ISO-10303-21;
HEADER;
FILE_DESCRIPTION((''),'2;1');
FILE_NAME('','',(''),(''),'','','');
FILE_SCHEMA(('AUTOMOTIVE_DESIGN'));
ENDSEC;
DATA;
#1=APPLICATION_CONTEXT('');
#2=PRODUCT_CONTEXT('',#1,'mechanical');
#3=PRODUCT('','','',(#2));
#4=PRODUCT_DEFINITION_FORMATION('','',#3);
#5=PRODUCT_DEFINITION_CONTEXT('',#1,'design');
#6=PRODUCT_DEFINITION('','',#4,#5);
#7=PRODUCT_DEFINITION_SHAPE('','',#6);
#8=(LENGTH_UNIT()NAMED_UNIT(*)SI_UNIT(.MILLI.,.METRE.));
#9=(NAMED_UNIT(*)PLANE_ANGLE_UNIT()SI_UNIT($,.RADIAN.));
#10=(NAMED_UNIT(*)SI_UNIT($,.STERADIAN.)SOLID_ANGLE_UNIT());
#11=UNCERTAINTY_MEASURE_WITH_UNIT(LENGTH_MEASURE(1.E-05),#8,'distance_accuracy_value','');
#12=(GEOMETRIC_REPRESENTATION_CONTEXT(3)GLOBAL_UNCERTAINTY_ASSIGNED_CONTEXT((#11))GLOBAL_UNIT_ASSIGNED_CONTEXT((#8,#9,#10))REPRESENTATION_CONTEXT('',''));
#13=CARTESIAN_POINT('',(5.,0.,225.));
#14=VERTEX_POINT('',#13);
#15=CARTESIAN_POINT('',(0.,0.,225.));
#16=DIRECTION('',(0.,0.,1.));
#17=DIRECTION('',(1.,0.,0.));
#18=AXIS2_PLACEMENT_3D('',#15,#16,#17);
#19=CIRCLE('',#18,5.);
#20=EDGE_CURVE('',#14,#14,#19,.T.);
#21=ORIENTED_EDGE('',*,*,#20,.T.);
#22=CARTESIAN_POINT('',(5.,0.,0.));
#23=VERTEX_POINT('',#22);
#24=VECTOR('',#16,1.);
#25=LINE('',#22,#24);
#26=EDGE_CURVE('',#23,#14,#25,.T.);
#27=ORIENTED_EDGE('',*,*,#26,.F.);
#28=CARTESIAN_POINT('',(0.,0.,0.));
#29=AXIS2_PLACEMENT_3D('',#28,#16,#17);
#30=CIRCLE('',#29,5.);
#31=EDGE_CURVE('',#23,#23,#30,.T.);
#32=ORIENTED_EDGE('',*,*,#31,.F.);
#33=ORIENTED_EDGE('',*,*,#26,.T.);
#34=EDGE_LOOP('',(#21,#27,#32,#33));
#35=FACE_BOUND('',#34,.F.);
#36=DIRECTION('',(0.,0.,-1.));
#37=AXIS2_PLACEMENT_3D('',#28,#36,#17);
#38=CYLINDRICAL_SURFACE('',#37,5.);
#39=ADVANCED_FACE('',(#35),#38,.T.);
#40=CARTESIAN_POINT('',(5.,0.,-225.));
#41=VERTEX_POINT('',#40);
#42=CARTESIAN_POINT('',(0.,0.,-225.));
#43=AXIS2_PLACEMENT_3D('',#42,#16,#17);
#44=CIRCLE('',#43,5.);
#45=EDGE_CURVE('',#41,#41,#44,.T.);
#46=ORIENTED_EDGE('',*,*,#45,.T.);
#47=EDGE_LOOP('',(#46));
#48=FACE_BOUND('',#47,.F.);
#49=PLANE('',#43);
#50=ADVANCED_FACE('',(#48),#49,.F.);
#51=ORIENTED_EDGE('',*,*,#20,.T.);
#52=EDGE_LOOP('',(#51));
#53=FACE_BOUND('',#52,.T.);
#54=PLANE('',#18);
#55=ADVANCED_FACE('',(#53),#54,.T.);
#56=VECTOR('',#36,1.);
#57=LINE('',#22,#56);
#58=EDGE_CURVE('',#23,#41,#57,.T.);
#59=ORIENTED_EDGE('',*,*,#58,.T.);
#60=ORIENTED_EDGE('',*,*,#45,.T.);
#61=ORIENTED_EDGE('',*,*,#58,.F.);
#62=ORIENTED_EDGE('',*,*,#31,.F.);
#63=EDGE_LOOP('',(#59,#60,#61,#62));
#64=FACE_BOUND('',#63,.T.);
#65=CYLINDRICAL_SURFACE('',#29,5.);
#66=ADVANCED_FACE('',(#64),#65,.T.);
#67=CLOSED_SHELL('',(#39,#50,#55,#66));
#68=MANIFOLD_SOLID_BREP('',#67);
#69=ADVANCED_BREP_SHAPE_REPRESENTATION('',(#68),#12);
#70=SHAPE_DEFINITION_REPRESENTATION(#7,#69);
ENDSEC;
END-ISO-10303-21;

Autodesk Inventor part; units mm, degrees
ref_plane "YZ Plane" through (0, 0, 0) normal (1, 0, 0) x (0, 1, 0)
ref_plane "XZ Plane" through (0, 0, 0) normal (0, 1, 0) x (-1, 0, 0)
ref_plane "XY Plane" through (0, 0, 0) normal (0, 0, 1) x (1, 0, 0)
sketch "Эскиз1" plane through (0, 0, 0) normal (0, 0, 1) x (1, 0, 0)
  circle A0 centre (0, 0) radius 5
  dimension "d0" = 10
extrude "Выдавливание1" add sketch "Эскиз1" along normal mid plane 450
ref_plane "РабПлоскость5" through (-6.4749, 10.717, -25) normal (0, 0, -1) x (1, 0, 0)
ref_plane "РабПлоскость4" through (-6.4749, 10.717, 0) normal (0, 0, -1) x (1, 0, 0)
sketch "Эскиз4" plane through (-6.4749, 10.717, -25) normal (0, 0, -1) x (1, 0, 0)
  circle A0 centre (6.4749, 10.717) radius 5
  dimension "d6" = 10
properties part number "Держатель крыла"
